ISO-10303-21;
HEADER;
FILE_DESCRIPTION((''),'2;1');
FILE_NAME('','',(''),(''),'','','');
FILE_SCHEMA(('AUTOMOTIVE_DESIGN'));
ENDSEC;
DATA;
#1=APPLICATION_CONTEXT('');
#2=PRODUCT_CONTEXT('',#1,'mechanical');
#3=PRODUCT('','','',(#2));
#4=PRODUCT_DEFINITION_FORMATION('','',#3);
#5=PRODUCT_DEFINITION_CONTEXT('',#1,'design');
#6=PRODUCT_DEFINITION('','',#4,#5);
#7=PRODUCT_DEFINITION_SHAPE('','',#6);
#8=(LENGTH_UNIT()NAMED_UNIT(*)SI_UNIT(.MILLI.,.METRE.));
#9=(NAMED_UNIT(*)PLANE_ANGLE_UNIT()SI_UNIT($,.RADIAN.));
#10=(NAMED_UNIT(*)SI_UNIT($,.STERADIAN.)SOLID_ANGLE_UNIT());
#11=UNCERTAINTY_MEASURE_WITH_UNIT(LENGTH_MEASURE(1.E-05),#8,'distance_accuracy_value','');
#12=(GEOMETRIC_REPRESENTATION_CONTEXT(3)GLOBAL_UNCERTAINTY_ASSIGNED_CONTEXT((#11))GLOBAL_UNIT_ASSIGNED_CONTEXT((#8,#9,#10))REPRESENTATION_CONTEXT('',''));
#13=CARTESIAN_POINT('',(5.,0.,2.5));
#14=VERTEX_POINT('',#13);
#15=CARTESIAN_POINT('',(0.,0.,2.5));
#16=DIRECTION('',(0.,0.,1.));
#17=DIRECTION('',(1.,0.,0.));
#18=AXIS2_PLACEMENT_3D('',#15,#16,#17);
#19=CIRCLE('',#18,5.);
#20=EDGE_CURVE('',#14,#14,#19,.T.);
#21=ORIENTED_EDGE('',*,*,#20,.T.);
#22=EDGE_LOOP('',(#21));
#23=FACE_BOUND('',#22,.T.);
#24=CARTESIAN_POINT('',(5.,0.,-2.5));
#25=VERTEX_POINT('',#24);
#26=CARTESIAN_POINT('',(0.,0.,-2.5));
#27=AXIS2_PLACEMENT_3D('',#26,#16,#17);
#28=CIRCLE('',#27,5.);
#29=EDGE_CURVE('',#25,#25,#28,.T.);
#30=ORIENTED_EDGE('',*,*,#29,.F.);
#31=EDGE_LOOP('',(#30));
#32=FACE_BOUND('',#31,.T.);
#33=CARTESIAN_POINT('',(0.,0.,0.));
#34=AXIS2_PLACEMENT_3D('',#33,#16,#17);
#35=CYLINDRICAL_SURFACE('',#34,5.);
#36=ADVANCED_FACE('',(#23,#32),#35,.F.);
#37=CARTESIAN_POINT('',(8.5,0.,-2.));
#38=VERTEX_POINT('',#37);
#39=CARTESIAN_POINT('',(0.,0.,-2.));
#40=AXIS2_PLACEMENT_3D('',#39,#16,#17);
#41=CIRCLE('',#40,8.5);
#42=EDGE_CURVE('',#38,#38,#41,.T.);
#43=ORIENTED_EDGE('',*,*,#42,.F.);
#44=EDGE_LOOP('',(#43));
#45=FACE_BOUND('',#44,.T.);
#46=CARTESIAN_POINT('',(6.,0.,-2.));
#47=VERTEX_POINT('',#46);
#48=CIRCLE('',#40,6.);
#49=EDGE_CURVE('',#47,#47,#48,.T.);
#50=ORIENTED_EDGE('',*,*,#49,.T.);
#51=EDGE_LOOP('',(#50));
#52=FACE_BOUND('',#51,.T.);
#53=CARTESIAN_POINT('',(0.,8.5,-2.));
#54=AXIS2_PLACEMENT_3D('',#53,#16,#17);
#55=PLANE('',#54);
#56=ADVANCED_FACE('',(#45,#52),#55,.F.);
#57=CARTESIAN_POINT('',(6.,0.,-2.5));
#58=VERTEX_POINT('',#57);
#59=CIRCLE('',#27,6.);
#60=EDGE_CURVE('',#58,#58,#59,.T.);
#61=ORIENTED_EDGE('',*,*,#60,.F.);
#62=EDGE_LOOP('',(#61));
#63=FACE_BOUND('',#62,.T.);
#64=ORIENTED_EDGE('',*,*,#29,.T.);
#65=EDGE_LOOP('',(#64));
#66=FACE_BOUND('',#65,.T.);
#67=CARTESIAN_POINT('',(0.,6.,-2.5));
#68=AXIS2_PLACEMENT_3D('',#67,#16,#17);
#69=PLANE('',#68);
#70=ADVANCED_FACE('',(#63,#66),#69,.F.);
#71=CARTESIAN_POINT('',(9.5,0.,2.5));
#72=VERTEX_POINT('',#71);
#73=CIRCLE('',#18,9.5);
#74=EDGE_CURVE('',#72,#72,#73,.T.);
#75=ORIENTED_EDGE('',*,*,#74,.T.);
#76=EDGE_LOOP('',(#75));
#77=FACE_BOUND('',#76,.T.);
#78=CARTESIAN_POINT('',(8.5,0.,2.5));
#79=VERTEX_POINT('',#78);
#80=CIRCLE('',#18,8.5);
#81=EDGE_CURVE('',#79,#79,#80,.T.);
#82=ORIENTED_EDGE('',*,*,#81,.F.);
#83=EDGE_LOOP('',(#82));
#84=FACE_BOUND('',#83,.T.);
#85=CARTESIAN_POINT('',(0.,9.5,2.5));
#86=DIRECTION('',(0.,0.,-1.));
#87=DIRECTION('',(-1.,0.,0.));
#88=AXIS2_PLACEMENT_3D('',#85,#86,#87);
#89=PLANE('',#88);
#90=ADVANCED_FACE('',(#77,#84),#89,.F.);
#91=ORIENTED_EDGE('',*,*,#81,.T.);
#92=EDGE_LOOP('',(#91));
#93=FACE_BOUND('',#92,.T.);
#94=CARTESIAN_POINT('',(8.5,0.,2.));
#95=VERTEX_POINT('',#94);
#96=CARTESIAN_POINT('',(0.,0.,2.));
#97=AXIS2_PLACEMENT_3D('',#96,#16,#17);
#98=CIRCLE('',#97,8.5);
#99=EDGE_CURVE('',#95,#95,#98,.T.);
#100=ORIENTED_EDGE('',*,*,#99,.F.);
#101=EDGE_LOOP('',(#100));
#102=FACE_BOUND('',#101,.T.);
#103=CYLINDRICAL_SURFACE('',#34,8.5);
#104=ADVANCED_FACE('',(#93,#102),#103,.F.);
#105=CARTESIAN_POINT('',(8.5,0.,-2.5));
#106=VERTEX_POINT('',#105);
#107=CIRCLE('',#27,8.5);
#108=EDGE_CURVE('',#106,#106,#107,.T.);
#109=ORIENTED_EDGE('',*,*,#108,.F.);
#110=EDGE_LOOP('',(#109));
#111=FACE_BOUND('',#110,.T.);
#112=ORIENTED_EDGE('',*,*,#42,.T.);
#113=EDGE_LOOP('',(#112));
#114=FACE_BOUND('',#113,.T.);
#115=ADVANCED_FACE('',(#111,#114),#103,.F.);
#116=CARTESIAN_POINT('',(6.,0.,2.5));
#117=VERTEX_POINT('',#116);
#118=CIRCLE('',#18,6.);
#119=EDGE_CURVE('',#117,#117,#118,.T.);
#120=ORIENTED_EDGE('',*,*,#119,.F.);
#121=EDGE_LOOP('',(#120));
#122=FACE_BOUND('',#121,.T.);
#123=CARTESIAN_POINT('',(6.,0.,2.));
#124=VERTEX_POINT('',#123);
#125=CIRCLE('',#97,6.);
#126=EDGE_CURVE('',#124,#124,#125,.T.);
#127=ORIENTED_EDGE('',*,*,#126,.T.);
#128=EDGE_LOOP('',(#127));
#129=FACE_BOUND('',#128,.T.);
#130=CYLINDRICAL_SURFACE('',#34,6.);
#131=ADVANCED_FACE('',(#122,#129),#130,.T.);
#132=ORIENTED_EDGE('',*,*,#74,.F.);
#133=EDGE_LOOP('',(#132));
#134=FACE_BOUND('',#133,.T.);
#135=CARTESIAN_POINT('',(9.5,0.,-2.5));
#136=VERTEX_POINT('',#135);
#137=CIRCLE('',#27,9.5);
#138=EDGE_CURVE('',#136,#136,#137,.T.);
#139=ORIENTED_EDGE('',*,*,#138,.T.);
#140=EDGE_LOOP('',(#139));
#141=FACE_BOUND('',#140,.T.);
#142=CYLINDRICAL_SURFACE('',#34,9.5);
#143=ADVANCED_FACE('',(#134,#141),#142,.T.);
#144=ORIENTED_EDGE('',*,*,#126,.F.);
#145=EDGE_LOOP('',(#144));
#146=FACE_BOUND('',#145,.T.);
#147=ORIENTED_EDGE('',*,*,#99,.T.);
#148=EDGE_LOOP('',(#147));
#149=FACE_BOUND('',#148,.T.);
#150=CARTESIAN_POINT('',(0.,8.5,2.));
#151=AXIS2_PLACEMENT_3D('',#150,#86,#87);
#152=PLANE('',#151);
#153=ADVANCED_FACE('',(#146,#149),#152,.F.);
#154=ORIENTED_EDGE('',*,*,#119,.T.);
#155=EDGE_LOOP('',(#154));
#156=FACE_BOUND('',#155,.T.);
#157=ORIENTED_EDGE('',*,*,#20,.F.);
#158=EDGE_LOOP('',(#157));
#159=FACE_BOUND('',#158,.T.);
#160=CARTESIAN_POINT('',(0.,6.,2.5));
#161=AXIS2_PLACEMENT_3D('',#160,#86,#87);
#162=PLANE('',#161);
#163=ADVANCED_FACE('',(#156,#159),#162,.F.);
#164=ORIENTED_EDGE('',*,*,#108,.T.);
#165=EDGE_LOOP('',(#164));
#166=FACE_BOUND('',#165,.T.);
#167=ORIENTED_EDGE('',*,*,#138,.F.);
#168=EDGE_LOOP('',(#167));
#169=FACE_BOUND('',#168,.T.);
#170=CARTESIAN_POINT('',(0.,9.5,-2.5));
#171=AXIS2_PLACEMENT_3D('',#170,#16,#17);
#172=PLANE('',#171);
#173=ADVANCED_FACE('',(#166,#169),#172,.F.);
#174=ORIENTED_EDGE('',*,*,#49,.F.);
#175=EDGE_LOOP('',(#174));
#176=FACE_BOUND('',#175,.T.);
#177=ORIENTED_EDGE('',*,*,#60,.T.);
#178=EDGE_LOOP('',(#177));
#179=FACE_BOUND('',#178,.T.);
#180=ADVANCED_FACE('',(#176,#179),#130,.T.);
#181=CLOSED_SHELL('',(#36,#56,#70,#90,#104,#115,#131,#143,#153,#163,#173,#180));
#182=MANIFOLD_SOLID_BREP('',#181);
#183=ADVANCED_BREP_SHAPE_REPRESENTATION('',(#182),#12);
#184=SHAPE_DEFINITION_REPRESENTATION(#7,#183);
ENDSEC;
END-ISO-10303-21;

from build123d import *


with BuildPart() as part:
    # Sketch1 → Revolve1 (revolve)
    with BuildSketch(Plane(origin=(0, 0, 0), x_dir=(0, 0, -1), z_dir=(1, 0, 0)), mode=Mode.PRIVATE) as revolve1_sk:
        Polygon((-2.5, 6), (-2.5, 5), (2.5, 5), (2.5, 6), (2, 6), (2, 8.5), (2.5, 8.5), (2.5, 9.5), (-2.5, 9.5), (-2.5, 8.5), (-2, 8.5), (-2, 6), align=None)
    revolve(revolve1_sk.sketch.rotate(Axis((0, 0, 0), (0, 0, -1)), 90), axis=Axis((0, 0, 0), (0, 0, -1)))


solid = part.part
